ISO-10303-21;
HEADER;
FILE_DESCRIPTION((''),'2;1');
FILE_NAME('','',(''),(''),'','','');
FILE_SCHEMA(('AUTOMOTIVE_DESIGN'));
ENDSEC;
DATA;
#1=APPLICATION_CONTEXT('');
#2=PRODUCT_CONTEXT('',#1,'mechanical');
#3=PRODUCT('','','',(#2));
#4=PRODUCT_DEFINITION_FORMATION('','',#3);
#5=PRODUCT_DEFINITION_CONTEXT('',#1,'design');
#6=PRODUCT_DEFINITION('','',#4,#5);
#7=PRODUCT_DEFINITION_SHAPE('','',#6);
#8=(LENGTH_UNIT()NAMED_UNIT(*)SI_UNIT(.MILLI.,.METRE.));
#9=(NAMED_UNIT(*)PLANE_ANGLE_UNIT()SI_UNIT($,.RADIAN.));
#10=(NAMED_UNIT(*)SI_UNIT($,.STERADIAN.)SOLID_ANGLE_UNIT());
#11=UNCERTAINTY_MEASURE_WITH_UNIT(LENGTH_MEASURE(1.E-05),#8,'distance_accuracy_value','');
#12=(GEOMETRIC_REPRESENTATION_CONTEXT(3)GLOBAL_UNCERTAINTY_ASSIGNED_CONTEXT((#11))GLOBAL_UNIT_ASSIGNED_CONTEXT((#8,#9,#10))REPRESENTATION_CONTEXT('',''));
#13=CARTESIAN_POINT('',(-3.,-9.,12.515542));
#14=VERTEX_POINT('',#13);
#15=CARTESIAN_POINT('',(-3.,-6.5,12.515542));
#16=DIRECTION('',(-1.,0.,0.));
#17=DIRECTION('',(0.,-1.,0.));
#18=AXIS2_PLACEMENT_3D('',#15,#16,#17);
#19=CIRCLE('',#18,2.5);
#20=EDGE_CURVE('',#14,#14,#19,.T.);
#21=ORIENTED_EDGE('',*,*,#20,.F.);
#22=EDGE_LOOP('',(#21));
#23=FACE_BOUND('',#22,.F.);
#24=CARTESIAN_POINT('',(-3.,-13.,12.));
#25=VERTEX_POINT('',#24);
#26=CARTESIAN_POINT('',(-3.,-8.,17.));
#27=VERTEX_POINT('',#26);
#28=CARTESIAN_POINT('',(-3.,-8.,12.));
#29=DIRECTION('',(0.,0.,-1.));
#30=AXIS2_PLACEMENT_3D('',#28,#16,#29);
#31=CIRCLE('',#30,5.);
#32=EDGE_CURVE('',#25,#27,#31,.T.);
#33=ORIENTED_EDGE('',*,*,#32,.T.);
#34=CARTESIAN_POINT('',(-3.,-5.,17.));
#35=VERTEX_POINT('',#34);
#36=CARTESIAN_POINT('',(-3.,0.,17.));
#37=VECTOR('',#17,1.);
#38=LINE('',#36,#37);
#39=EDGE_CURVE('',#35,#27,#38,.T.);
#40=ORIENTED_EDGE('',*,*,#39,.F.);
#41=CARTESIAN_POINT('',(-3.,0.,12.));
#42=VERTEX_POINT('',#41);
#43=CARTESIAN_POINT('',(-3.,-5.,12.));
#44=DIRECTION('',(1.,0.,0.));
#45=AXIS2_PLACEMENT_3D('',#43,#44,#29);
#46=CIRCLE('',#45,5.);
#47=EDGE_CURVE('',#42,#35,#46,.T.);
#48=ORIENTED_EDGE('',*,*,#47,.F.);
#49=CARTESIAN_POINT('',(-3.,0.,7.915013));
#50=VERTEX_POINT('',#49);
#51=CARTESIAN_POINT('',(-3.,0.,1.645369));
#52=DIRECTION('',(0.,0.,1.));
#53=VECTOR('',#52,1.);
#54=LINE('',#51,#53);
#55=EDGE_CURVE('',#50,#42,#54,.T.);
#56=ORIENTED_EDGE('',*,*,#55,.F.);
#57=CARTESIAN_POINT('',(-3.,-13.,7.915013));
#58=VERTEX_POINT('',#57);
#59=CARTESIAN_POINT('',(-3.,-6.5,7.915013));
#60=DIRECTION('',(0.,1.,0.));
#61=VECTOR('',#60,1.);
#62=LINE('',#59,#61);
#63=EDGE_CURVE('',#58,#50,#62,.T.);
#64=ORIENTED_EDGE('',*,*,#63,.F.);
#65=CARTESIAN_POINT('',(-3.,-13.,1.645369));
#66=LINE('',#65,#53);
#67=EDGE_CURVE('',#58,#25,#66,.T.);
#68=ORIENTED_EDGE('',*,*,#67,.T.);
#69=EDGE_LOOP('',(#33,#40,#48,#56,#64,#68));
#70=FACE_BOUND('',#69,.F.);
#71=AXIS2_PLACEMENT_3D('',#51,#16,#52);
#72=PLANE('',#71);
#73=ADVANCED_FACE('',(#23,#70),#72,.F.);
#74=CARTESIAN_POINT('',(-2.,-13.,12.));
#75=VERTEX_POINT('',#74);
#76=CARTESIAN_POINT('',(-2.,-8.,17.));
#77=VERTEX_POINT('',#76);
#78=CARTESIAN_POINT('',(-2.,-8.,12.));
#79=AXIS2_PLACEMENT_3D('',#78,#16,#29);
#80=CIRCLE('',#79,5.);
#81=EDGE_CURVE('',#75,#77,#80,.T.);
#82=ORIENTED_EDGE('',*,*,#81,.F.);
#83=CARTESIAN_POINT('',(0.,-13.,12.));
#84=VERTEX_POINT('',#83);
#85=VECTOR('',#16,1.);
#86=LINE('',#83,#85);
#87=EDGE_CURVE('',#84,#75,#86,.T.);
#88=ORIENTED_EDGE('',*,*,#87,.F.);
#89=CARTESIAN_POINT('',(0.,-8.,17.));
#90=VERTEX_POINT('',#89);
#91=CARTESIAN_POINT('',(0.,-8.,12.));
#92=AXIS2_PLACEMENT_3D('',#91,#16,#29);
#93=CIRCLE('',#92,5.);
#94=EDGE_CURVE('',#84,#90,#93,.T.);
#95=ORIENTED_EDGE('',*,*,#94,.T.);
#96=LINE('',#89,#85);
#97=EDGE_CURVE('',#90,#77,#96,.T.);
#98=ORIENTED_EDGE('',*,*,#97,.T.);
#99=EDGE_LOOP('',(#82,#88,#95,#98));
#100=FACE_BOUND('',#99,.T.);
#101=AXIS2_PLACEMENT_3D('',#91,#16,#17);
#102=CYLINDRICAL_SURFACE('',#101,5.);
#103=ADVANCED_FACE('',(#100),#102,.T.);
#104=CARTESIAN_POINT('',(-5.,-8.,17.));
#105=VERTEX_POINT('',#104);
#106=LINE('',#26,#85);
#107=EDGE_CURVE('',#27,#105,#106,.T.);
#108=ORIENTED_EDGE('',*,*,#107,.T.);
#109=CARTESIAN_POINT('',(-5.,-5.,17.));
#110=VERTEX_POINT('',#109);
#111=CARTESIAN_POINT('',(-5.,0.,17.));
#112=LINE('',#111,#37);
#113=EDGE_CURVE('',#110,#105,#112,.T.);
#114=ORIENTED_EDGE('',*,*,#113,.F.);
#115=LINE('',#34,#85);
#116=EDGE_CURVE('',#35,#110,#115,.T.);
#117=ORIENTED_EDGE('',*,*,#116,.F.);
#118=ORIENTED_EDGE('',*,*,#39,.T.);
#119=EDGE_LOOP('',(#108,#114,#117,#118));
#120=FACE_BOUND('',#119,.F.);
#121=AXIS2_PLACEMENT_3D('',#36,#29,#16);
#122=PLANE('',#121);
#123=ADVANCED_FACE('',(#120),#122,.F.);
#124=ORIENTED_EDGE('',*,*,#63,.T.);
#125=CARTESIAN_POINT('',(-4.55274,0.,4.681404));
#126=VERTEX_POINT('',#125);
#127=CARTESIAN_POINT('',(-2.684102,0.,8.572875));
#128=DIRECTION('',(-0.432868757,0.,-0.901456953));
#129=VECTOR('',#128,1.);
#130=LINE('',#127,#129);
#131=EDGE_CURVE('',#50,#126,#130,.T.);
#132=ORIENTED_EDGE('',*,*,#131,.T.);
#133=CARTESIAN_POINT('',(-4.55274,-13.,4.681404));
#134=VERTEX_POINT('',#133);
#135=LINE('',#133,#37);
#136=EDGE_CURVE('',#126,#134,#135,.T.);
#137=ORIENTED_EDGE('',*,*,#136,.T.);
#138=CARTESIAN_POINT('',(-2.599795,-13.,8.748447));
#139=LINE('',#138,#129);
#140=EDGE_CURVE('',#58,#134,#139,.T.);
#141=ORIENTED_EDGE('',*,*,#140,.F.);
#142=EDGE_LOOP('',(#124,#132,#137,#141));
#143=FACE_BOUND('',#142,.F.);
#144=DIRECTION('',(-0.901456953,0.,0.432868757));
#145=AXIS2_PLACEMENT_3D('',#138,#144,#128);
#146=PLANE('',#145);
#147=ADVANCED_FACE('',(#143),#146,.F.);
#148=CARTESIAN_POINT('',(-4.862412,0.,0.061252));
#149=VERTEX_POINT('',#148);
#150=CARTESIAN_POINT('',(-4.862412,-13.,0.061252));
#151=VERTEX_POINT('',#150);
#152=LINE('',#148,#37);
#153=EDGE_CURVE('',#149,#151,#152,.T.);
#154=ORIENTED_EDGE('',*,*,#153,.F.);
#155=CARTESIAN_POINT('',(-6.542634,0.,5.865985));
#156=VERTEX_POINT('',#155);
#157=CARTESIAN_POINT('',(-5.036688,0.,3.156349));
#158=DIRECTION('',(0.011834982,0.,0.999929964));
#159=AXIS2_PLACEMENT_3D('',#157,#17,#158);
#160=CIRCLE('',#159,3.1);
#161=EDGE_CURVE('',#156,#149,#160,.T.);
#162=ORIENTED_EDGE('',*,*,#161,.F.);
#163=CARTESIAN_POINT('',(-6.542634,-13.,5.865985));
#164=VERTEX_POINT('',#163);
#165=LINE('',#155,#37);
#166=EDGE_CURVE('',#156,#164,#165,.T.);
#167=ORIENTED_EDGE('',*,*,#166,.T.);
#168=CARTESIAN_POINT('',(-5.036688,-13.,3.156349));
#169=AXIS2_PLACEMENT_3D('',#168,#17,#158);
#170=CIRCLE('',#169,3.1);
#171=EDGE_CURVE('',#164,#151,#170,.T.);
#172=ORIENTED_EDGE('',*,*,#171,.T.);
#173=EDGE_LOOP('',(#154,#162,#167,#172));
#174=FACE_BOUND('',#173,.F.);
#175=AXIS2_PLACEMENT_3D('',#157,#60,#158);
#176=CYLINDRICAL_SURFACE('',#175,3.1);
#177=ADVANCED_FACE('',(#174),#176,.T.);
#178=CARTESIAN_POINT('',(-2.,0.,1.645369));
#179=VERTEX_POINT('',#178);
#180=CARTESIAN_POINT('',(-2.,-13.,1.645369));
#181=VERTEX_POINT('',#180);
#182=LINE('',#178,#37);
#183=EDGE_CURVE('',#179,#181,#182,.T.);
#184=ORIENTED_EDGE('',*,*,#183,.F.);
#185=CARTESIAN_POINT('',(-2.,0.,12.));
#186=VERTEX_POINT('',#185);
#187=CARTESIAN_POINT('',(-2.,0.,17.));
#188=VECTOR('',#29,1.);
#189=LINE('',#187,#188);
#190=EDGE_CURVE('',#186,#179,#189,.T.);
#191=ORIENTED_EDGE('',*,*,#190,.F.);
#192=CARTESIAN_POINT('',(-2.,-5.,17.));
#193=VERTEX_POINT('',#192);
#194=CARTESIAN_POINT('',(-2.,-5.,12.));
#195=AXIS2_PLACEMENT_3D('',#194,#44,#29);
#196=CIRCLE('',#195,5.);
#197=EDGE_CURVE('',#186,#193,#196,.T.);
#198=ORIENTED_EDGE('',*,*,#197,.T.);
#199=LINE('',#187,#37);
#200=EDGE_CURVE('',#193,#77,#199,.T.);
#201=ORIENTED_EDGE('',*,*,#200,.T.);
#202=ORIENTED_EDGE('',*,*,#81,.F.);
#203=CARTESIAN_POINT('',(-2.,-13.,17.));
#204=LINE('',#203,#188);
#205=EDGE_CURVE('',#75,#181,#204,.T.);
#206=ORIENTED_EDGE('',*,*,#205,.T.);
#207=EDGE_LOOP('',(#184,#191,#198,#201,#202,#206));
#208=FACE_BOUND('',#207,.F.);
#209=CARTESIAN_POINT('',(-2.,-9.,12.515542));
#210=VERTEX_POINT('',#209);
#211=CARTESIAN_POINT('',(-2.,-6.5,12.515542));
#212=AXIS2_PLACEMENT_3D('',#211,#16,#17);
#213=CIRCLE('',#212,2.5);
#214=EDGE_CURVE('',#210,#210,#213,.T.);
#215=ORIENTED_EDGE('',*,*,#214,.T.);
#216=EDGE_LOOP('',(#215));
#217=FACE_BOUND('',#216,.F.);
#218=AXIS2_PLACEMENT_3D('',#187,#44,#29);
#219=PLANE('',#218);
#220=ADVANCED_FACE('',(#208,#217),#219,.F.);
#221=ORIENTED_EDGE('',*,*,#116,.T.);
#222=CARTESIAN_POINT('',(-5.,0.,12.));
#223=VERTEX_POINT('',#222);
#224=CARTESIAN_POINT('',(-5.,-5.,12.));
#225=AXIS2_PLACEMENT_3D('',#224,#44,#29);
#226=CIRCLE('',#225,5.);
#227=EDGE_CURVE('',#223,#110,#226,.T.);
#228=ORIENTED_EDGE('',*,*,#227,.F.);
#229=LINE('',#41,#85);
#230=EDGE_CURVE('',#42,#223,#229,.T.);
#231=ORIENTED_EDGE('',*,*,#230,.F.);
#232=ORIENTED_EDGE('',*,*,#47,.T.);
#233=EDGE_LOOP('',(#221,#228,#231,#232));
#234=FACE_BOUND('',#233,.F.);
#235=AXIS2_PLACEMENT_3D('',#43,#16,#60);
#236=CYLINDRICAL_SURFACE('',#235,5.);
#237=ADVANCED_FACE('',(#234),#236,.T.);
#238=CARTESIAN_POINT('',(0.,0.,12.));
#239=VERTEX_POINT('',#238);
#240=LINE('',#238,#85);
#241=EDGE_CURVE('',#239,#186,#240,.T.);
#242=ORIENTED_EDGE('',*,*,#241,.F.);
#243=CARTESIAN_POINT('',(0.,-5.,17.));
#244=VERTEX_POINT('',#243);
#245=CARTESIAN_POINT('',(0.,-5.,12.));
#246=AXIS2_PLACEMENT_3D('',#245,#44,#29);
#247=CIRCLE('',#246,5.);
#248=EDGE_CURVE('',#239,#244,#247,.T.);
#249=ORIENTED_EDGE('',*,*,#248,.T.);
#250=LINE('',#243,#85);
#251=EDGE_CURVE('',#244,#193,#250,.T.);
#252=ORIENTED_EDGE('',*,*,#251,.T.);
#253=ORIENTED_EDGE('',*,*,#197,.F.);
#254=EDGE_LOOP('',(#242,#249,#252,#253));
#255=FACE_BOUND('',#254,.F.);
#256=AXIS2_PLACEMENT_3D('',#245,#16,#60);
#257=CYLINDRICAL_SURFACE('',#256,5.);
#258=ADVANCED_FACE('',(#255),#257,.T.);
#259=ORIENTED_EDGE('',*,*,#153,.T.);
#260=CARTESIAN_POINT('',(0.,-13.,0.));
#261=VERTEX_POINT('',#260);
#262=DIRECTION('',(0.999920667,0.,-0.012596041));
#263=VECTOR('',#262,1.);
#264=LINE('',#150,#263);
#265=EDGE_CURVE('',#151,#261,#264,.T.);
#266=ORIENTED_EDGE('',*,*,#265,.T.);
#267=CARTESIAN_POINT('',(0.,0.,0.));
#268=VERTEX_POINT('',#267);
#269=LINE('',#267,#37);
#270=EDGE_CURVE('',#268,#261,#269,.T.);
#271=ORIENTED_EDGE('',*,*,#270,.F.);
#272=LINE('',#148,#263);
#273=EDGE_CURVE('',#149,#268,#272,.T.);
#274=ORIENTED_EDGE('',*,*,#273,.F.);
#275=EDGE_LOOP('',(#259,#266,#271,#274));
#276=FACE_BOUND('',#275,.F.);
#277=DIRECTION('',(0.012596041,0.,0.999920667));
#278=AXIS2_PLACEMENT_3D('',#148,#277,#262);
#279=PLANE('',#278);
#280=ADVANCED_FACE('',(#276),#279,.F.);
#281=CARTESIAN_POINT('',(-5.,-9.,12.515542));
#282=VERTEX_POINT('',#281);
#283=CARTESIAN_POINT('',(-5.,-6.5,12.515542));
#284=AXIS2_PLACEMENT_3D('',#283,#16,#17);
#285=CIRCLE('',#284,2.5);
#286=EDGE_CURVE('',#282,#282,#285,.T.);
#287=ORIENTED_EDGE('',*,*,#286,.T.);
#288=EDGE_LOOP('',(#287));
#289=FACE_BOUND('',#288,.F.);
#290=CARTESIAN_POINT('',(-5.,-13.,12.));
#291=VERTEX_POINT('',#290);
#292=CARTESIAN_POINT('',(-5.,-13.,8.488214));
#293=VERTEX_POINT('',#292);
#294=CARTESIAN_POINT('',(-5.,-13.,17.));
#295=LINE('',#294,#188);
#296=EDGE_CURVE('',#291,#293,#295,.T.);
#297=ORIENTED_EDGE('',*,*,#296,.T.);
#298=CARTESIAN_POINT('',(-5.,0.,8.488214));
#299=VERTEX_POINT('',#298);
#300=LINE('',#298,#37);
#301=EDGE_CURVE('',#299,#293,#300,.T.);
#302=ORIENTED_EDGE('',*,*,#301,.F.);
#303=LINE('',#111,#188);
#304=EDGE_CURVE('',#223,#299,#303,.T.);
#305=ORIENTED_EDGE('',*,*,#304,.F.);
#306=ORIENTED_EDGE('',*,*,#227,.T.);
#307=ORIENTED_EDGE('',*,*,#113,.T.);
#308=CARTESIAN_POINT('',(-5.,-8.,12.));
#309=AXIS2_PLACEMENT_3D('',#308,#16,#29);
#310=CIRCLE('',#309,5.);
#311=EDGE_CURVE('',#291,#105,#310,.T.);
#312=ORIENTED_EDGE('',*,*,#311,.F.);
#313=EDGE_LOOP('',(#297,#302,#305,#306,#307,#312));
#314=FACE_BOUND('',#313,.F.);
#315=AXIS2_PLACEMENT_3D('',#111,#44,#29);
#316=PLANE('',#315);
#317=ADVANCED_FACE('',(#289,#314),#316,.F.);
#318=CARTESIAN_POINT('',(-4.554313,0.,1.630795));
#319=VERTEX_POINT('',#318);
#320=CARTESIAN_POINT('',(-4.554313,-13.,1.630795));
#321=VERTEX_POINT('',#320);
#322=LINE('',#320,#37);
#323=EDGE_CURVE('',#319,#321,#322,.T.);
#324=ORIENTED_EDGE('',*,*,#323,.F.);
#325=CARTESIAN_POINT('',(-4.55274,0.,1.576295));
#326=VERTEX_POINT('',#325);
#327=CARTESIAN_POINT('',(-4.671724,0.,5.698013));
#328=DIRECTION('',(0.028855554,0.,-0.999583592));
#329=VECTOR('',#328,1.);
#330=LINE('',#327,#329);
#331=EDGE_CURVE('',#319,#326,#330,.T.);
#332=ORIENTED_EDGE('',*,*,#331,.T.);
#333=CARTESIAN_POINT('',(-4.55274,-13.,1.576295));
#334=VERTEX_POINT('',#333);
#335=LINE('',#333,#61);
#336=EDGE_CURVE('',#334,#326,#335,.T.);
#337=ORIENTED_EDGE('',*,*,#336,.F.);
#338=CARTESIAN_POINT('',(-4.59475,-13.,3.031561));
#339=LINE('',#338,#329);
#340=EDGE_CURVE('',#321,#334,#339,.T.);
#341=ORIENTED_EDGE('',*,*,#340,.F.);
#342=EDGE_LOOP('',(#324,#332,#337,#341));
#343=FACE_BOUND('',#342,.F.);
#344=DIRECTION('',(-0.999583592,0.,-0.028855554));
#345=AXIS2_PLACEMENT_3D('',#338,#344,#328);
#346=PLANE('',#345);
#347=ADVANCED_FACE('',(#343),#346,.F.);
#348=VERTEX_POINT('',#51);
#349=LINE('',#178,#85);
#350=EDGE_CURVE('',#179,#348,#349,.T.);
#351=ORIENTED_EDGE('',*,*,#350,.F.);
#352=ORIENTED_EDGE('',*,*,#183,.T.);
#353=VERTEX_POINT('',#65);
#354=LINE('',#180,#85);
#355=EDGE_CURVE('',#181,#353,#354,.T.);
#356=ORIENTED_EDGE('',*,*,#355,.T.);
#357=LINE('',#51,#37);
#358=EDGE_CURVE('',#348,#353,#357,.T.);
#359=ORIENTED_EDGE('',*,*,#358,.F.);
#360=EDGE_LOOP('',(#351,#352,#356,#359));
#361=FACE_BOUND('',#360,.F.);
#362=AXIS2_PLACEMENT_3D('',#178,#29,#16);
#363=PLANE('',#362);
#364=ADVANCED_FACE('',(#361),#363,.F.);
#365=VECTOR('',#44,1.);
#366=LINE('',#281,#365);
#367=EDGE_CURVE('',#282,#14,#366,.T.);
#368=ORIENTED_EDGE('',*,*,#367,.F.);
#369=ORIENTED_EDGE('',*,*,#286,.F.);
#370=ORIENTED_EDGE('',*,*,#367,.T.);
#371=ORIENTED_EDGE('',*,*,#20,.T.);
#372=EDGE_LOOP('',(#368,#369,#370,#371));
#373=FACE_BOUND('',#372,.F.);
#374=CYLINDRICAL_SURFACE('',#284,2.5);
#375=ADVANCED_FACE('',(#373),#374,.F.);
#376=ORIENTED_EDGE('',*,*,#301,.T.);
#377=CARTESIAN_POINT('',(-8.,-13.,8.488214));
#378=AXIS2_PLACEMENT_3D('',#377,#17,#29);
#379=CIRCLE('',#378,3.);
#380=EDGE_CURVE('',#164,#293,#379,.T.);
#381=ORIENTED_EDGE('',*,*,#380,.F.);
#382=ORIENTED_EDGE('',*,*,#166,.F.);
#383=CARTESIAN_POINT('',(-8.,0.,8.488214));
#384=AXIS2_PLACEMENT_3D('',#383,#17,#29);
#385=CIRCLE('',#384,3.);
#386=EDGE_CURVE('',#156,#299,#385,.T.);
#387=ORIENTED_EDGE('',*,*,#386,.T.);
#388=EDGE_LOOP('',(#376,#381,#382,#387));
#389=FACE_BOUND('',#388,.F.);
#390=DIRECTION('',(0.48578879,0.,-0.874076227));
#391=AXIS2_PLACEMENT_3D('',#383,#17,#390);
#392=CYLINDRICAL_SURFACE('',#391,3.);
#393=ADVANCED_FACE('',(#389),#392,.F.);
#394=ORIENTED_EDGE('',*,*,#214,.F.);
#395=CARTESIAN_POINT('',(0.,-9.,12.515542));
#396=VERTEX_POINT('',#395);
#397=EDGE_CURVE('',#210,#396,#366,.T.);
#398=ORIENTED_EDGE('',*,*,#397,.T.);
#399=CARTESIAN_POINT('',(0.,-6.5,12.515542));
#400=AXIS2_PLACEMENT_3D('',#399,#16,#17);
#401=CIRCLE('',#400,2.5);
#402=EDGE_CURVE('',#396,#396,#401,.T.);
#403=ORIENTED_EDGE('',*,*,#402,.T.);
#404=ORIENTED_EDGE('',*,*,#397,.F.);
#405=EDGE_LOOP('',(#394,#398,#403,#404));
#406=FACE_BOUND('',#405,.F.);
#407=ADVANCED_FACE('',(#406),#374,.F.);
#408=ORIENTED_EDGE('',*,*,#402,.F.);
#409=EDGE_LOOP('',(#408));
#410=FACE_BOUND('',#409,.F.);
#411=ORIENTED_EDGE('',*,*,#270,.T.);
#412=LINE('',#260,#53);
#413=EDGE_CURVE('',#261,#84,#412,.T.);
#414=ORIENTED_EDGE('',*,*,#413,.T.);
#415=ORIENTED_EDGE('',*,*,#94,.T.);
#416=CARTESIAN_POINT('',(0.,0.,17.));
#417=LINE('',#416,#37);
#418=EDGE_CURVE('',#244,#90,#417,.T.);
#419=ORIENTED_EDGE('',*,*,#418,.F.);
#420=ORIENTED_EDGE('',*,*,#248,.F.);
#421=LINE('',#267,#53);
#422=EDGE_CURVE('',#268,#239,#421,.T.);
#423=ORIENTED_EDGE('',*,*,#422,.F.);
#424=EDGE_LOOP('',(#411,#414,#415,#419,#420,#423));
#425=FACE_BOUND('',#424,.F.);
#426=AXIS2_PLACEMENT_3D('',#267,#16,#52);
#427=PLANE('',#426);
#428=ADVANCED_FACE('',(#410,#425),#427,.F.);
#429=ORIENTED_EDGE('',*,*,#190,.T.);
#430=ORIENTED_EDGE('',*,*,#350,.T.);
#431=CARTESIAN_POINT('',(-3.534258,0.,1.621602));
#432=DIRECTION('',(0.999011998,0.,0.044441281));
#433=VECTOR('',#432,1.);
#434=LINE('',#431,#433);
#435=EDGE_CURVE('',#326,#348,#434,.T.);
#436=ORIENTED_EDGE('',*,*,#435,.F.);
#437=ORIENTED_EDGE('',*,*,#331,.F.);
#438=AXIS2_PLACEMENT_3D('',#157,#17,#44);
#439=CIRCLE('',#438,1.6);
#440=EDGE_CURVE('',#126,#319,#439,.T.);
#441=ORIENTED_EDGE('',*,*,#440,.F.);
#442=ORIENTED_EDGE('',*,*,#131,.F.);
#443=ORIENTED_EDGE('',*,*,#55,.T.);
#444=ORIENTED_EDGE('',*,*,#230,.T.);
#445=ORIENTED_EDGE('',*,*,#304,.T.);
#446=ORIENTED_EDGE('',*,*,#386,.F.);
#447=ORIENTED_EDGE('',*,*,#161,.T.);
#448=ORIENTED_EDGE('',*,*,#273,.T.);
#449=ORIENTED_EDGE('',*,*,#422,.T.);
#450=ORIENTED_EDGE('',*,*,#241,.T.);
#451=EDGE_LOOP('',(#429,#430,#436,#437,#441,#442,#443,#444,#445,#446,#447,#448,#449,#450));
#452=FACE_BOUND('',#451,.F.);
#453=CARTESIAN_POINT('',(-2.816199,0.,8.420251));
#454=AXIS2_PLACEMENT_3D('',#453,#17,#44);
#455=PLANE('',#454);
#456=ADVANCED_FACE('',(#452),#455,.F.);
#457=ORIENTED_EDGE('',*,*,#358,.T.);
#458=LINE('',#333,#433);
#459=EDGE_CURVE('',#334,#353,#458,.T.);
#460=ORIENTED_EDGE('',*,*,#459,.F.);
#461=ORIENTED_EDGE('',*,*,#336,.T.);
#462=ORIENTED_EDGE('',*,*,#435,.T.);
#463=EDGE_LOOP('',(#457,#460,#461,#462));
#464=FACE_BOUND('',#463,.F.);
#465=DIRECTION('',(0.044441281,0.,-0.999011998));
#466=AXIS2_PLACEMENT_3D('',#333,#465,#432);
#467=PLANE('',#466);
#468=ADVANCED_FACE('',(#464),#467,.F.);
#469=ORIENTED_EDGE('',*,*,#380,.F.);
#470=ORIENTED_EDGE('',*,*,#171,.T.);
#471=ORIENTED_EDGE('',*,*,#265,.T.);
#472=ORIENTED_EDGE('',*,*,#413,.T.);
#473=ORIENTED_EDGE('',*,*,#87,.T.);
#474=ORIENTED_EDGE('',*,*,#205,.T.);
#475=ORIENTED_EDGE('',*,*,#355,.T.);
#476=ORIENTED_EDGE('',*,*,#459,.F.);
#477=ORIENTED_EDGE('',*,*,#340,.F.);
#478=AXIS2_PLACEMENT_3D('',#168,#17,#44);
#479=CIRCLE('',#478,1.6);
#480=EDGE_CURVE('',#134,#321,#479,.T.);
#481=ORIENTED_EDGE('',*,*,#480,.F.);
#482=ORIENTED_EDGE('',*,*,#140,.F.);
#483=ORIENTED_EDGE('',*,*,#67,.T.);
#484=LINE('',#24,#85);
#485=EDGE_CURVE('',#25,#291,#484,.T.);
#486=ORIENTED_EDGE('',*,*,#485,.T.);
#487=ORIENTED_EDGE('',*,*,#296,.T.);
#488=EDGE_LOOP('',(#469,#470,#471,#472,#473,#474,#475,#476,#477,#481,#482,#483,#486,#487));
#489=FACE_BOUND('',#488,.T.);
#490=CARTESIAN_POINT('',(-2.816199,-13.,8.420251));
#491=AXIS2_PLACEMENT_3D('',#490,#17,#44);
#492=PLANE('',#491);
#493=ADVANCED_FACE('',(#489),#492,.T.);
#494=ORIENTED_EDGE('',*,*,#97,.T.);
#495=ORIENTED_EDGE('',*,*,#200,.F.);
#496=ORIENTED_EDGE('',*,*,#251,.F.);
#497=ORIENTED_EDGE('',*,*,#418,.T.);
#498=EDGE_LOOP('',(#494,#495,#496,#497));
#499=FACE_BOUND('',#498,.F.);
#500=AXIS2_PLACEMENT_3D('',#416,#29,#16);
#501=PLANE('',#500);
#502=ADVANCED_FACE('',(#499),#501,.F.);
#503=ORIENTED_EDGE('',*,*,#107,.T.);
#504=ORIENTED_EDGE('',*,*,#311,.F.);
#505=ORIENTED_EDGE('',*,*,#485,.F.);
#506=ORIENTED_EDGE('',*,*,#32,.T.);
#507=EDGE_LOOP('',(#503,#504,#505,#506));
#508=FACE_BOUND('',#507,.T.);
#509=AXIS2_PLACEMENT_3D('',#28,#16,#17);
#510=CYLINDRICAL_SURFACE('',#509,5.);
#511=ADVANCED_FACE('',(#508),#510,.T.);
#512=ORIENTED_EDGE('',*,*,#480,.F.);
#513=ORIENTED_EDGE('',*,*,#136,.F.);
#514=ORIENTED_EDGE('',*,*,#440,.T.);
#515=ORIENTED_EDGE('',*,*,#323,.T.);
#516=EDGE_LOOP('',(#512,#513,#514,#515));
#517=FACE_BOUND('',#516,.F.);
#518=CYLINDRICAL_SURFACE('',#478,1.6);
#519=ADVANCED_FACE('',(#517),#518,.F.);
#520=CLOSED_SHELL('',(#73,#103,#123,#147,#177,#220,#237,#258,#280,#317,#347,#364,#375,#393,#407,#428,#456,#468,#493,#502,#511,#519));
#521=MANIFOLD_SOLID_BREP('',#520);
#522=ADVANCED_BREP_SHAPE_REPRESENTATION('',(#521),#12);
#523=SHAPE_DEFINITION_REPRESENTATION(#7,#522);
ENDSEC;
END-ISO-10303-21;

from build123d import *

# Parameters (mm, degrees)
F1_DEPTH = 13
F2_R     = 1.6
F3_DEPTH = 25
F5_DEPTH = 25
F6_R     = 3
F7_R     = 5
F8_R     = 2.5
F9_DEPTH = 25


with BuildPart() as f1:
    # F0 (on Front) → F1 (new body)
    with BuildSketch(Plane.XZ):
        with BuildLine():
            Line((-4.862412, 0.061252), (0, 0))
            Line((0, 0), (0, 17))
            Line((0, 17), (-2, 17))
            Line((-2, 17), (-2, 1.645369))
            Line((-2, 1.645369), (-3, 1.645369))
            Line((-3, 1.645369), (-3, 17))
            Line((-3, 17), (-5, 17))
            Line((-5, 17), (-5, 6.256132))
            ThreePointArc((-5, 6.256132), (-8.135924, 3.087515), (-4.862412, 0.061252))
        make_face()
    extrude(amount=F1_DEPTH)

    # F2 (on face) → F3 (cut)
    with BuildSketch(Plane.XZ.offset(13)):
        with Locations((-5.036688, 3.156349)):
            Circle(F2_R)
    extrude(amount=-F3_DEPTH, mode=Mode.SUBTRACT)

    # F4 (on face) → F5 (cut)
    with BuildSketch(Plane.XZ.offset(13)):
        Polygon((-2.599795, 8.748447), (-4.55274, 4.681404), (-4.59475, 3.031561), (-2.599795, 3.031561), align=None)
        Polygon((-2.599795, 3.031561), (-4.59475, 3.031561), (-4.55274, 1.576295), (-3, 1.645369), align=None)
    extrude(amount=-F5_DEPTH, mode=Mode.SUBTRACT)

    # F6
    f6_edges = [f1.edges().sort_by_distance(p)[0] for p in [
        (-5, -6.5, 6.256132),
    ]]
    fillet(f6_edges, radius=F6_R)

    # F7
    f7_edges = [f1.edges().sort_by_distance(p)[0] for p in [
        (-4, 0, 17),
        (-1, 0, 17),
        (-4, -13, 17),
        (-1, -13, 17),
    ]]
    fillet(f7_edges, radius=F7_R)

    # F8 (on face) → F9 (cut)
    with BuildSketch(Plane(origin=(-5, 0, 0), x_dir=(0, -1, 0), z_dir=(-1, 0, 0))):
        with Locations((6.5, 12.515542)):
            Circle(F8_R)
    extrude(amount=-F9_DEPTH, mode=Mode.SUBTRACT)


solid = f1.part
